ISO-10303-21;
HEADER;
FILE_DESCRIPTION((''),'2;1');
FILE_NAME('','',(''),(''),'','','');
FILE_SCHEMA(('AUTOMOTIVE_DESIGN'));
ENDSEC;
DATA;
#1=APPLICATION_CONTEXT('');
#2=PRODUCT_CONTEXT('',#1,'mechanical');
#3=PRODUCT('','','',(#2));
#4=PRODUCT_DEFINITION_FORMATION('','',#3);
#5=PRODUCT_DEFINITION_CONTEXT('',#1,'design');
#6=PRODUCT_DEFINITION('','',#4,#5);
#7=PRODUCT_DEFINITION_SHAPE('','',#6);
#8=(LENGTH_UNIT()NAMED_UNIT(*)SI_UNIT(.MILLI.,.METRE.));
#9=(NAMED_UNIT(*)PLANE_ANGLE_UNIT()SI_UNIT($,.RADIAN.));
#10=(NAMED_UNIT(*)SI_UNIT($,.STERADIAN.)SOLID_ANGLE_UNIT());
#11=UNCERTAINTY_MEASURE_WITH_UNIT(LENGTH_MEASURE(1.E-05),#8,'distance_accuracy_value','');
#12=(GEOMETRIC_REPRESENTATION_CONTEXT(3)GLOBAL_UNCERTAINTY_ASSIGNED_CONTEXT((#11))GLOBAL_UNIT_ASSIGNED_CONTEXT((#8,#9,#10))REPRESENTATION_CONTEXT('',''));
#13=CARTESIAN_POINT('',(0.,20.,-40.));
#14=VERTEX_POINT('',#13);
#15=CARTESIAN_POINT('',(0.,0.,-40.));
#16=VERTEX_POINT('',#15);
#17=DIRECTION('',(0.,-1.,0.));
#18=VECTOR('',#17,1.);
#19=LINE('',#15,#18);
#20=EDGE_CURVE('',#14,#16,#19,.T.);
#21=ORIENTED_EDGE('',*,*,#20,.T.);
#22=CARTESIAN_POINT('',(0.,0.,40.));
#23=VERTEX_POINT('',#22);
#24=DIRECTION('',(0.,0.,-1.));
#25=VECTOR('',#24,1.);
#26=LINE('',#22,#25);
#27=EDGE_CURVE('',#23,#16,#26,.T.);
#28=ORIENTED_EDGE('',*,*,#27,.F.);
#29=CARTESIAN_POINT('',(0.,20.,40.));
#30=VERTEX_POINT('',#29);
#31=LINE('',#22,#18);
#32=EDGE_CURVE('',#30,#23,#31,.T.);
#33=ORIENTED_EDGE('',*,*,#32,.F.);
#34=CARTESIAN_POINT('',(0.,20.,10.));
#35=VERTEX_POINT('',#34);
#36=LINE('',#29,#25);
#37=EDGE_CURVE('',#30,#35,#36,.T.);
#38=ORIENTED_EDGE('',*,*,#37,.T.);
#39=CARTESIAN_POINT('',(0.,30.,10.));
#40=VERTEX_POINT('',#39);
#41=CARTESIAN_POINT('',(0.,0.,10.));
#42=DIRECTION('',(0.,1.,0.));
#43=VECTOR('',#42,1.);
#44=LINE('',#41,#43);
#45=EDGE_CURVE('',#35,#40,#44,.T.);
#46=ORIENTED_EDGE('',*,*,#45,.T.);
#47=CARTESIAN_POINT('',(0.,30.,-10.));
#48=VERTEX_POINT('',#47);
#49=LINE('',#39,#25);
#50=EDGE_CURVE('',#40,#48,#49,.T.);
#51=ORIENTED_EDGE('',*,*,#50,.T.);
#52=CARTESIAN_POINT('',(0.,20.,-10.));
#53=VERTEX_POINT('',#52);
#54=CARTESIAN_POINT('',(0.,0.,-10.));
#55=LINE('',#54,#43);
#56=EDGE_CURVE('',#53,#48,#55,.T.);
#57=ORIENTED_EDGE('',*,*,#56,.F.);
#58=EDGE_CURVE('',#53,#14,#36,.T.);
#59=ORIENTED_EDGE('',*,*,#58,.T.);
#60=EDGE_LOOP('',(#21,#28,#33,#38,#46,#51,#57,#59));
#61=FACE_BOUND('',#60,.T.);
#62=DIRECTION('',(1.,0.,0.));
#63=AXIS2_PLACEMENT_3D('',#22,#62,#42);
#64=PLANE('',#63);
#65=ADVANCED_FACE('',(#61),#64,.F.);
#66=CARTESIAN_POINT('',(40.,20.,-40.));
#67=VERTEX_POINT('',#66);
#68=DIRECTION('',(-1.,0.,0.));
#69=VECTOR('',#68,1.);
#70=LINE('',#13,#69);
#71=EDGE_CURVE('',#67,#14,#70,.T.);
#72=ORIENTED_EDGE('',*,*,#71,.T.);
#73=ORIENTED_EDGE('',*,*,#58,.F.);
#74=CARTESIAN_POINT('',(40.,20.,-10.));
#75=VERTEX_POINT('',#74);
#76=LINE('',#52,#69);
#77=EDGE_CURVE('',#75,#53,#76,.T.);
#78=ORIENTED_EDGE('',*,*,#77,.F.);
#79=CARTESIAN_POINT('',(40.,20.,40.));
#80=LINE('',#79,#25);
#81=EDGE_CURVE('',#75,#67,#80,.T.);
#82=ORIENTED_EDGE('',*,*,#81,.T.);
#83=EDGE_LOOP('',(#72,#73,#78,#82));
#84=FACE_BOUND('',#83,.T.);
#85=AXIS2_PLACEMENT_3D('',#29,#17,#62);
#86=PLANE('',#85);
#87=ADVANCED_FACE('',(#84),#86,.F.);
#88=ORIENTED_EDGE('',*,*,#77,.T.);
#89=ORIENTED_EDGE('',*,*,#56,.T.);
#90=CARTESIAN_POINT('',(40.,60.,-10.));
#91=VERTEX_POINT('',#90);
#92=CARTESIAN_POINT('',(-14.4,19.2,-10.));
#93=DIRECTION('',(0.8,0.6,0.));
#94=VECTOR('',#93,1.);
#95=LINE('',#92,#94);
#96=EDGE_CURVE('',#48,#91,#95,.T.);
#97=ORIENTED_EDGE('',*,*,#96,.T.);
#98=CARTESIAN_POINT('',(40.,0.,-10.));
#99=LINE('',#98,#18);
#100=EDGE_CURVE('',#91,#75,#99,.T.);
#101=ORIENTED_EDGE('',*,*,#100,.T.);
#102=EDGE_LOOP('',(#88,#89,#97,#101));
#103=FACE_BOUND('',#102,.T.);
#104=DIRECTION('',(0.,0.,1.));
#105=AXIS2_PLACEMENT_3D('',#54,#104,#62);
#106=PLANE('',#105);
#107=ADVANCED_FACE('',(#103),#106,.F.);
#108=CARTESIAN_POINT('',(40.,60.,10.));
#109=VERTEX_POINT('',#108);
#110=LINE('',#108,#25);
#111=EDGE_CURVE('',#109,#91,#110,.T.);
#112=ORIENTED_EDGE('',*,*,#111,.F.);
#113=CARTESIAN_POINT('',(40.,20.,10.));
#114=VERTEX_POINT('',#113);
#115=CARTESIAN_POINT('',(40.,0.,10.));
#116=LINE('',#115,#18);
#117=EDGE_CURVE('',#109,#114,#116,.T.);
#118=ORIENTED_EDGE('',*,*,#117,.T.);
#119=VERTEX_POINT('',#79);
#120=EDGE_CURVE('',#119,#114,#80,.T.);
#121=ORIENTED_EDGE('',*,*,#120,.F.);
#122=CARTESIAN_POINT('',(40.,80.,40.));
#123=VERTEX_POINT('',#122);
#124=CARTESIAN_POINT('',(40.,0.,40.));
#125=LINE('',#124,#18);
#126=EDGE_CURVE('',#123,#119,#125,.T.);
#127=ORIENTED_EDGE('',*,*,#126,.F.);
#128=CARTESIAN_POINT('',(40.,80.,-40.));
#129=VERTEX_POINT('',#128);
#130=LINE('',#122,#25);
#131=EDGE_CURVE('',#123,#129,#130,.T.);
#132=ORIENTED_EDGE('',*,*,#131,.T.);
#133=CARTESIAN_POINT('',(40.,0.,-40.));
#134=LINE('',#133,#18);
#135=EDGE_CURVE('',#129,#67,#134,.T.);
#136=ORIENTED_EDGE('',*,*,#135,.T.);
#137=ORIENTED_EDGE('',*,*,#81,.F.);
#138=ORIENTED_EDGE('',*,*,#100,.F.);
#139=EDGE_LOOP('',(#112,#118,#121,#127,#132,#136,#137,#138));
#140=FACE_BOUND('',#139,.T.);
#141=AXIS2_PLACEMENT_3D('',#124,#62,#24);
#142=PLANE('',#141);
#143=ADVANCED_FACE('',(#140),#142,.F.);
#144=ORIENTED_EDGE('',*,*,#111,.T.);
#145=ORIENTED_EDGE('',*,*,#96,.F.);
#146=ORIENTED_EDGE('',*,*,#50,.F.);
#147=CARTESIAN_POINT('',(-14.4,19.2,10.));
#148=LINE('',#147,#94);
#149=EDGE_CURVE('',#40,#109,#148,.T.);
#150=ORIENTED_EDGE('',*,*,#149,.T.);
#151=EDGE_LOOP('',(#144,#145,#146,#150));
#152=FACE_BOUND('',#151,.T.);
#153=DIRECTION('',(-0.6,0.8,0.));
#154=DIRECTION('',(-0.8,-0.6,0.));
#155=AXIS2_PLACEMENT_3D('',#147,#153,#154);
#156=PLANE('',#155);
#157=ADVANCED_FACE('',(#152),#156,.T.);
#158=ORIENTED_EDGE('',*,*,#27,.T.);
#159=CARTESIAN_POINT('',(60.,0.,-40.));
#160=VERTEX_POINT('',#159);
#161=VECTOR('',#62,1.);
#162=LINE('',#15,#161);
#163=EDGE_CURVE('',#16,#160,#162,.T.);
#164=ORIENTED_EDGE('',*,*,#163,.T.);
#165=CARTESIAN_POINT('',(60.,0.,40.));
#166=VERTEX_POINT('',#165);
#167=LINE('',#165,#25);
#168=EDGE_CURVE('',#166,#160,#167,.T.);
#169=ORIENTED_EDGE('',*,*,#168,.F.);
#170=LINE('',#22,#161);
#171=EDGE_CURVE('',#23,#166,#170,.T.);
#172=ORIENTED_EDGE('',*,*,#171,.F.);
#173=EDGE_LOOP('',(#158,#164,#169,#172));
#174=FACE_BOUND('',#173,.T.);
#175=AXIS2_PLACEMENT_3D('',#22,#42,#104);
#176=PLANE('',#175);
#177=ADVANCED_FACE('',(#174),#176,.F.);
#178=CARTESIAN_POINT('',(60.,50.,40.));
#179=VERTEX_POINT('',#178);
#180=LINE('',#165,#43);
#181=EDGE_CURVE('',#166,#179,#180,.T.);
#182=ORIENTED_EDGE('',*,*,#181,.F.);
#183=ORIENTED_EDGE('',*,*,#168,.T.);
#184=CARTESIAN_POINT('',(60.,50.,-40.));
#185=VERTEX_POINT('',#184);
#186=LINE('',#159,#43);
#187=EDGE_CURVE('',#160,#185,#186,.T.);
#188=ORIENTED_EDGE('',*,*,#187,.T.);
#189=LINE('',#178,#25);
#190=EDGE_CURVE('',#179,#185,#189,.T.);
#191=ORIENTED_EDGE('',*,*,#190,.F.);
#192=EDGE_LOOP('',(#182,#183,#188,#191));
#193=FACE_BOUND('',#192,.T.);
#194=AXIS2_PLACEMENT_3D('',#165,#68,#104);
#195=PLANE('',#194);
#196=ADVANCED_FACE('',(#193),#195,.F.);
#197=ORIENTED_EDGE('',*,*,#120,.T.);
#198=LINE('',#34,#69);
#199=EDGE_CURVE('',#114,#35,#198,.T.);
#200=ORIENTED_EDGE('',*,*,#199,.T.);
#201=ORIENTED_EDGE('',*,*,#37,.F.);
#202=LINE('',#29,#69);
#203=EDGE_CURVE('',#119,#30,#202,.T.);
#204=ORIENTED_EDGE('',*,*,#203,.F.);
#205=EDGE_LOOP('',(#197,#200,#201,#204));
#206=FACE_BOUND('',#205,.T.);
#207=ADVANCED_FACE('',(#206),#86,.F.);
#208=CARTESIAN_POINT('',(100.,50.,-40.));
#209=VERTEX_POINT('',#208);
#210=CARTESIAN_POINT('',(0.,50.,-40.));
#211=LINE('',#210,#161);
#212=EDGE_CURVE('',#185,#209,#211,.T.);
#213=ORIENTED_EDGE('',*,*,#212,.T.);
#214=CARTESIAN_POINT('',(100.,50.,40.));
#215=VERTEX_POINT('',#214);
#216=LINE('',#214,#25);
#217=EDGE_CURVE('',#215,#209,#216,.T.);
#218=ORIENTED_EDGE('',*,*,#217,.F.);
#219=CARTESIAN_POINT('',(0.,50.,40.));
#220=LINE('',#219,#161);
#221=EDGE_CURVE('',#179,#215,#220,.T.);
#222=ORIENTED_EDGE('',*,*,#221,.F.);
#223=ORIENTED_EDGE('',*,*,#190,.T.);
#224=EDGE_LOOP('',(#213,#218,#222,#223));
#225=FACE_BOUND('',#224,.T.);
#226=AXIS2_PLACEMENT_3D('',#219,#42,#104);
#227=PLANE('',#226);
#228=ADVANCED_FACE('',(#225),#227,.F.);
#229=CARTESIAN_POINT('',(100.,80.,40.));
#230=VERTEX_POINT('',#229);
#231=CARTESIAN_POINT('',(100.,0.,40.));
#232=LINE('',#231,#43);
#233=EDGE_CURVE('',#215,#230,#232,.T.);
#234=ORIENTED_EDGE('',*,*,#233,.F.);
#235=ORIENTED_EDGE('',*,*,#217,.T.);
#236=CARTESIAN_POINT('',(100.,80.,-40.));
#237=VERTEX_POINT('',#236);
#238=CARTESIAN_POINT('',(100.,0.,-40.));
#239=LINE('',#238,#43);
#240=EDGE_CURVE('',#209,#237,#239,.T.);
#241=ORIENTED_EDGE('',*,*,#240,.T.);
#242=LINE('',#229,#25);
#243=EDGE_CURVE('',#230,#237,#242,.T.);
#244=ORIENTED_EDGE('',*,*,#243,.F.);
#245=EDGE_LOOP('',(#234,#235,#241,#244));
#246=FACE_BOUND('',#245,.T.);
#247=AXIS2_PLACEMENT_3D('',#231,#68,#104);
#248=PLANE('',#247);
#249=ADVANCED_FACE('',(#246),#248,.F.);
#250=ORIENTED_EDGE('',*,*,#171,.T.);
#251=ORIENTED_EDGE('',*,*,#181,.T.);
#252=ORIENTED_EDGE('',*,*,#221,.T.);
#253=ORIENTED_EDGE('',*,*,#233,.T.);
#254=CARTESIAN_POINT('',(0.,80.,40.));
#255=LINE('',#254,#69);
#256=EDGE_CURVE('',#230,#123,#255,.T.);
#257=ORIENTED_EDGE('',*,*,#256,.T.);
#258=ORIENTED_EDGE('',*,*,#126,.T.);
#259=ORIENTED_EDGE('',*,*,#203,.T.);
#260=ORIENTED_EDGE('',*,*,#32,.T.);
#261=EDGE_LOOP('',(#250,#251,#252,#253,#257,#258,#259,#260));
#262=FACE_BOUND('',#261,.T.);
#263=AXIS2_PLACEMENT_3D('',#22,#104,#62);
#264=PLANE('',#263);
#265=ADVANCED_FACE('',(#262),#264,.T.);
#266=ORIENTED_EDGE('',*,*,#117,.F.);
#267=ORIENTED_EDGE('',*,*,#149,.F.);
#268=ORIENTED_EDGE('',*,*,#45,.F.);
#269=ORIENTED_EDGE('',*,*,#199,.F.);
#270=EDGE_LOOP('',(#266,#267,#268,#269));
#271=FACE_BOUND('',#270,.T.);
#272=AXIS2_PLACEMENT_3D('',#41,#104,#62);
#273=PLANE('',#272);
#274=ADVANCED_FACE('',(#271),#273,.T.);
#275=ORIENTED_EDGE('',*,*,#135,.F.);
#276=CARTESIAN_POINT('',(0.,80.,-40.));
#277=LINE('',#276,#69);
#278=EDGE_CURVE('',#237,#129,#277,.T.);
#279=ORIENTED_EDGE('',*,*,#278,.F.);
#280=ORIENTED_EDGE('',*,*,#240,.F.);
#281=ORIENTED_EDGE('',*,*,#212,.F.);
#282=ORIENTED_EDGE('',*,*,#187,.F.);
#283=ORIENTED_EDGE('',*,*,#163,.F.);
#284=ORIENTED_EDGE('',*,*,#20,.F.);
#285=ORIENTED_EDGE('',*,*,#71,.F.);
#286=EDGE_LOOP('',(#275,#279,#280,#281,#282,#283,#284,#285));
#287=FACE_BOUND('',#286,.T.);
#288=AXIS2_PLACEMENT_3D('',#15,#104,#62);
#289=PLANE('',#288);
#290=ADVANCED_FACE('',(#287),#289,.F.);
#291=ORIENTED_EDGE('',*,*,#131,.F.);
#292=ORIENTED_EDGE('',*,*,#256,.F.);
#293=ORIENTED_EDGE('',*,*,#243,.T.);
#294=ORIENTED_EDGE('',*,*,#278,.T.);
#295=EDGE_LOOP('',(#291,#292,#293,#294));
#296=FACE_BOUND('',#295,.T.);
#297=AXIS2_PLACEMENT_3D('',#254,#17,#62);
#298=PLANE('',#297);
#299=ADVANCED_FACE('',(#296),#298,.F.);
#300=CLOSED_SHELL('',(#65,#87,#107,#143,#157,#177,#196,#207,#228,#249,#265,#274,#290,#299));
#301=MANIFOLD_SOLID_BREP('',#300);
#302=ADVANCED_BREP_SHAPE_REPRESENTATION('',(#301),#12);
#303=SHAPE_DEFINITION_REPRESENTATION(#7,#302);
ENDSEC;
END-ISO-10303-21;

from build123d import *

# Parameters (mm, degrees)
BOSS_EXTRUDE1_DEPTH = 40
BOSS_EXTRUDE2_DEPTH = 10


with BuildPart() as part:
    # Sketch1 → Boss-Extrude1 (new, symmetric)
    with BuildSketch(Plane.XY):
        Polygon((0, 20), (0, 0), (60, 0), (60, 50), (100, 50), (100, 80), (40, 80), (40, 60), (40, 20), align=None)
    extrude(amount=BOSS_EXTRUDE1_DEPTH, both=True)

    # Sketch1<3> → Boss-Extrude2 (add, symmetric)
    with BuildSketch(Plane.XY):
        Polygon((0, 30), (0, 20), (40, 20), (40, 60), align=None)
    extrude(amount=BOSS_EXTRUDE2_DEPTH, both=True)


solid = part.part
